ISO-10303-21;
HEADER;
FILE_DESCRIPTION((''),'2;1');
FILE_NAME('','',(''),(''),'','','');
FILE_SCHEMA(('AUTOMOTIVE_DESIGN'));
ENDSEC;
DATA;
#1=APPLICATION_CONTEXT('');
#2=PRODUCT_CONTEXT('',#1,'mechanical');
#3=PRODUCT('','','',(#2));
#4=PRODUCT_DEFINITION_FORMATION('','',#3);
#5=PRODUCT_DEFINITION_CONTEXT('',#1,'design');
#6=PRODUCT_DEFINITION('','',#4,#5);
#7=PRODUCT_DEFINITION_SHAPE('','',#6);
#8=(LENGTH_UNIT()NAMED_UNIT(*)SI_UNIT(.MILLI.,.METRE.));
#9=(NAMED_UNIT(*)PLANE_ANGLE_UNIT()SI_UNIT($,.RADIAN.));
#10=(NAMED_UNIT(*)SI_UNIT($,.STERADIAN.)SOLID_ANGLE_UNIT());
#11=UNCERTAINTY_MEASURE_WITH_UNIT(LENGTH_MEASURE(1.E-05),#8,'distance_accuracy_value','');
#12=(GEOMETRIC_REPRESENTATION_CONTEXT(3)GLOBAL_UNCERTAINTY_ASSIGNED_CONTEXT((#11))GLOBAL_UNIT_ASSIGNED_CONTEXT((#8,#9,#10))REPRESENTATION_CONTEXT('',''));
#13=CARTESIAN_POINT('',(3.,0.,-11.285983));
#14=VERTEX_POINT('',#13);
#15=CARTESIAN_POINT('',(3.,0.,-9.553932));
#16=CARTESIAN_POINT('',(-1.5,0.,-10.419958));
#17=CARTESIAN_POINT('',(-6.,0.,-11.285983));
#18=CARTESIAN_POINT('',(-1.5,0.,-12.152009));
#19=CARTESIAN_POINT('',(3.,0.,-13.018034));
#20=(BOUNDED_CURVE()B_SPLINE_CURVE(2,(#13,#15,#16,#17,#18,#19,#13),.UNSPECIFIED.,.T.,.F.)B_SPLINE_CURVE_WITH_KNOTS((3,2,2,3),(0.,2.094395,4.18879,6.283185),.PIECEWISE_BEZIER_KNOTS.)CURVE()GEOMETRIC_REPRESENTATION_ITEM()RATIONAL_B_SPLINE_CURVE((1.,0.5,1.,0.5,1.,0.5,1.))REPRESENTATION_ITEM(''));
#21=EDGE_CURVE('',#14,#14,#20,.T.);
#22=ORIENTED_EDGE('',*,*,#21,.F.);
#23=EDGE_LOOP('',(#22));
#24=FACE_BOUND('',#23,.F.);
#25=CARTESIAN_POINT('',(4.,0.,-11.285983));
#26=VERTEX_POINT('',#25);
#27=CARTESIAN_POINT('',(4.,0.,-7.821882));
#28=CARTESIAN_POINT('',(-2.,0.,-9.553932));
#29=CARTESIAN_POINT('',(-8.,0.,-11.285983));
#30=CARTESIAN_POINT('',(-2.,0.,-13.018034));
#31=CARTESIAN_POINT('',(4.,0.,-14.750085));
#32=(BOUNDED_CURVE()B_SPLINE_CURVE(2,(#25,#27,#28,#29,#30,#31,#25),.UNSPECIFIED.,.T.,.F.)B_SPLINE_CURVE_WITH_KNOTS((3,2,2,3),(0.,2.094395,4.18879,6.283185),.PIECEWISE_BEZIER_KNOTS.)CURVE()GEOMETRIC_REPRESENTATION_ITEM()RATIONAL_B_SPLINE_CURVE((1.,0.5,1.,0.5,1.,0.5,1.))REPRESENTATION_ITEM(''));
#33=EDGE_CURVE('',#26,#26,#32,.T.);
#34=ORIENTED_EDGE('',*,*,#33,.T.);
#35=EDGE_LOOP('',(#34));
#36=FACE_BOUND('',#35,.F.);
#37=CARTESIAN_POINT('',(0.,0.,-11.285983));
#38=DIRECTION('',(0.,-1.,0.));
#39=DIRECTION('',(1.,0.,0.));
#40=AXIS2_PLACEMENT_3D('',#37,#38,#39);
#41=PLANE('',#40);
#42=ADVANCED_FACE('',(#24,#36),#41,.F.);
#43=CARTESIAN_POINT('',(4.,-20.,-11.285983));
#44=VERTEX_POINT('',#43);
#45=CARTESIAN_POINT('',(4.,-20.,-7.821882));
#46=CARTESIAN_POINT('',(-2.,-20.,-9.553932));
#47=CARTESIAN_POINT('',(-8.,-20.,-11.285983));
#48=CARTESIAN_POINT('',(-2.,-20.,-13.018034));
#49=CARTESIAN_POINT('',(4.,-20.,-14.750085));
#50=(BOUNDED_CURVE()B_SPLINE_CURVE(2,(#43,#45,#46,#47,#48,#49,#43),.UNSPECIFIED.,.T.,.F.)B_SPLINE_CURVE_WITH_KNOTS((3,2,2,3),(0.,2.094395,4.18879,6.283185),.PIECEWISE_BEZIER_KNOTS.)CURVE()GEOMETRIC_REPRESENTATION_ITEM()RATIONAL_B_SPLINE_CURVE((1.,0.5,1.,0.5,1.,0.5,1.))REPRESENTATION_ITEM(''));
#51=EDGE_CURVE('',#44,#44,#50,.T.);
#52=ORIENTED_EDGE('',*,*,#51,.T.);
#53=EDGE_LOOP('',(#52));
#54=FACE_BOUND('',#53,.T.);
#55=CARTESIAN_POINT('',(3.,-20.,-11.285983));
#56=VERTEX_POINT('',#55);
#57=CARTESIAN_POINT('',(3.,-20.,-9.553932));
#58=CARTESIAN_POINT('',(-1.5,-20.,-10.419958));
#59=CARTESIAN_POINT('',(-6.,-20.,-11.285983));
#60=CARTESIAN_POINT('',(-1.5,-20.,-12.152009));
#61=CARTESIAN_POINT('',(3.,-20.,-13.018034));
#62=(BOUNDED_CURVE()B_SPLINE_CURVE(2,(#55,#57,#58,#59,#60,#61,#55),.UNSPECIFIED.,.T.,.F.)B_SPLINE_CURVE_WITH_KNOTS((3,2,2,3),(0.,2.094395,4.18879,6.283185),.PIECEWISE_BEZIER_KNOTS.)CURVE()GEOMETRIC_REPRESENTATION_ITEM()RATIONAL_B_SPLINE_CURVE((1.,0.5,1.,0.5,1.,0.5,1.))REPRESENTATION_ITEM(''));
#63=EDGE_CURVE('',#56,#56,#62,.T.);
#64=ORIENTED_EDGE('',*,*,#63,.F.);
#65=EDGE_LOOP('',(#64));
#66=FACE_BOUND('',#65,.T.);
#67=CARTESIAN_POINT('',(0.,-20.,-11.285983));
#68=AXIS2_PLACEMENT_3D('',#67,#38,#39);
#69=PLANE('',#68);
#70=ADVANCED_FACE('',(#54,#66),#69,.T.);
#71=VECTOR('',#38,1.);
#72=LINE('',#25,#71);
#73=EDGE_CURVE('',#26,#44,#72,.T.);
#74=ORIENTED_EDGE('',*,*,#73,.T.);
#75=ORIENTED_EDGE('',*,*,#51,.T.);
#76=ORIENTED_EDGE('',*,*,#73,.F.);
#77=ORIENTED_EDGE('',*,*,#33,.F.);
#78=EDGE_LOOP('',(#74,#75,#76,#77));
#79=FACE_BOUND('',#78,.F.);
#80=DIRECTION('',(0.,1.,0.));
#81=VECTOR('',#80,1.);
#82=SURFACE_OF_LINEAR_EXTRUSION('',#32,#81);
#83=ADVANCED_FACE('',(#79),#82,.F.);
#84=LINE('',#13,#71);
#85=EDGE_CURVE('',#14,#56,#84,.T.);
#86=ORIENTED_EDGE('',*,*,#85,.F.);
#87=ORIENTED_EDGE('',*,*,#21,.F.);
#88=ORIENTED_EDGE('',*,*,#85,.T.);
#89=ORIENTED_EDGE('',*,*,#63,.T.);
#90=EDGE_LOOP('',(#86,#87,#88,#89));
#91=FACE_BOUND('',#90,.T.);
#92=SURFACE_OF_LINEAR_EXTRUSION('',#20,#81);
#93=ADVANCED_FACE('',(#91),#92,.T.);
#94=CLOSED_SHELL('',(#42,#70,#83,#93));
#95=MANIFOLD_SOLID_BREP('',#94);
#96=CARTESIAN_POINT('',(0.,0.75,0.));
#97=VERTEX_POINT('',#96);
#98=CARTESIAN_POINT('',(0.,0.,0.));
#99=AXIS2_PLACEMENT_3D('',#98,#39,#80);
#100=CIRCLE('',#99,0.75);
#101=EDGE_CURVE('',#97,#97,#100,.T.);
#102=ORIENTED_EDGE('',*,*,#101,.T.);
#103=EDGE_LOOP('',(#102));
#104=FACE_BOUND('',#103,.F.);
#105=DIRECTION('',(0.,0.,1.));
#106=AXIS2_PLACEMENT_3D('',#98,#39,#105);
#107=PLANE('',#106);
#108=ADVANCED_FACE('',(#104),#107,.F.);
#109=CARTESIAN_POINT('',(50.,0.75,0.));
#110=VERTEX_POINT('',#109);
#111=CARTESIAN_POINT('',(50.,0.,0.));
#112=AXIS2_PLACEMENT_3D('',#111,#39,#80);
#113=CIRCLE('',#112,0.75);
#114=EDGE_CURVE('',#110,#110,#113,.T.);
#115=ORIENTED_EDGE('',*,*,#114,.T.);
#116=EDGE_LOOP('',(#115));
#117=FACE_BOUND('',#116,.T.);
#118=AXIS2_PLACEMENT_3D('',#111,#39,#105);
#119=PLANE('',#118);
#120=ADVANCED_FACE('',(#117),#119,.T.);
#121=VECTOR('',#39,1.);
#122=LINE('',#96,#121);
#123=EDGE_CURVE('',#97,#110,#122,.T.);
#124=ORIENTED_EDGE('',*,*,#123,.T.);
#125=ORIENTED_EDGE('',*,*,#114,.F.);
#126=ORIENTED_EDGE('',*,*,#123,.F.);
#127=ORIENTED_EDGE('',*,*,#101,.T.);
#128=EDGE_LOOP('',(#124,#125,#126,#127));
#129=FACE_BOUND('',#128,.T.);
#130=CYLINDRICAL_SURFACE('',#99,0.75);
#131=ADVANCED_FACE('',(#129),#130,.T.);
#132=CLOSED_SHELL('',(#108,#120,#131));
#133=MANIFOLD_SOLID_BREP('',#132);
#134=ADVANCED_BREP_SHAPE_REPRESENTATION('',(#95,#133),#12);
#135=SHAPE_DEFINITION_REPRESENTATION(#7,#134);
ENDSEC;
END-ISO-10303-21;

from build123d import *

# Parameters (mm, degrees)
F1_R     = 0.75
F4_DEPTH = 20


with BuildPart() as f2:
    # F2: sweep along a path in F0
    with BuildLine(Plane.XZ) as f2_path:
        Line((0, 0), (50, 0))
    # F1 (on Right) → F2 (sweep)
    with BuildSketch(Plane.YZ):
        Circle(F1_R)
    sweep(path=f2_path.line)


with BuildPart() as f4:
    # F3 (on Front) → F4 (new body)
    with BuildSketch(Plane.XZ):
        with BuildLine():
            add(Edge.make_bspline(
                [(4, -11.285983), (4, -7.821882), (-2, -9.553932), (-8, -11.285983), (-2, -13.018034), (4, -14.750085), (4, -11.285983)],
                knots=[0, 0, 0, 2.094395, 2.094395, 4.18879, 4.18879, 6.283185, 6.283185, 6.283185], degree=2, weights=[1, 0.5, 1, 0.5, 1, 0.5, 1]))
        make_face()
        with BuildLine():
            add(Edge.make_bspline(
                [(3, -11.285983), (3, -9.553932), (-1.5, -10.419958), (-6, -11.285983), (-1.5, -12.152009), (3, -13.018034), (3, -11.285983)],
                knots=[0, 0, 0, 2.094395, 2.094395, 4.18879, 4.18879, 6.283185, 6.283185, 6.283185], degree=2, weights=[1, 0.5, 1, 0.5, 1, 0.5, 1]))
        make_face(mode=Mode.SUBTRACT)
    extrude(amount=F4_DEPTH)


solid = Compound([f2.part, f4.part])
